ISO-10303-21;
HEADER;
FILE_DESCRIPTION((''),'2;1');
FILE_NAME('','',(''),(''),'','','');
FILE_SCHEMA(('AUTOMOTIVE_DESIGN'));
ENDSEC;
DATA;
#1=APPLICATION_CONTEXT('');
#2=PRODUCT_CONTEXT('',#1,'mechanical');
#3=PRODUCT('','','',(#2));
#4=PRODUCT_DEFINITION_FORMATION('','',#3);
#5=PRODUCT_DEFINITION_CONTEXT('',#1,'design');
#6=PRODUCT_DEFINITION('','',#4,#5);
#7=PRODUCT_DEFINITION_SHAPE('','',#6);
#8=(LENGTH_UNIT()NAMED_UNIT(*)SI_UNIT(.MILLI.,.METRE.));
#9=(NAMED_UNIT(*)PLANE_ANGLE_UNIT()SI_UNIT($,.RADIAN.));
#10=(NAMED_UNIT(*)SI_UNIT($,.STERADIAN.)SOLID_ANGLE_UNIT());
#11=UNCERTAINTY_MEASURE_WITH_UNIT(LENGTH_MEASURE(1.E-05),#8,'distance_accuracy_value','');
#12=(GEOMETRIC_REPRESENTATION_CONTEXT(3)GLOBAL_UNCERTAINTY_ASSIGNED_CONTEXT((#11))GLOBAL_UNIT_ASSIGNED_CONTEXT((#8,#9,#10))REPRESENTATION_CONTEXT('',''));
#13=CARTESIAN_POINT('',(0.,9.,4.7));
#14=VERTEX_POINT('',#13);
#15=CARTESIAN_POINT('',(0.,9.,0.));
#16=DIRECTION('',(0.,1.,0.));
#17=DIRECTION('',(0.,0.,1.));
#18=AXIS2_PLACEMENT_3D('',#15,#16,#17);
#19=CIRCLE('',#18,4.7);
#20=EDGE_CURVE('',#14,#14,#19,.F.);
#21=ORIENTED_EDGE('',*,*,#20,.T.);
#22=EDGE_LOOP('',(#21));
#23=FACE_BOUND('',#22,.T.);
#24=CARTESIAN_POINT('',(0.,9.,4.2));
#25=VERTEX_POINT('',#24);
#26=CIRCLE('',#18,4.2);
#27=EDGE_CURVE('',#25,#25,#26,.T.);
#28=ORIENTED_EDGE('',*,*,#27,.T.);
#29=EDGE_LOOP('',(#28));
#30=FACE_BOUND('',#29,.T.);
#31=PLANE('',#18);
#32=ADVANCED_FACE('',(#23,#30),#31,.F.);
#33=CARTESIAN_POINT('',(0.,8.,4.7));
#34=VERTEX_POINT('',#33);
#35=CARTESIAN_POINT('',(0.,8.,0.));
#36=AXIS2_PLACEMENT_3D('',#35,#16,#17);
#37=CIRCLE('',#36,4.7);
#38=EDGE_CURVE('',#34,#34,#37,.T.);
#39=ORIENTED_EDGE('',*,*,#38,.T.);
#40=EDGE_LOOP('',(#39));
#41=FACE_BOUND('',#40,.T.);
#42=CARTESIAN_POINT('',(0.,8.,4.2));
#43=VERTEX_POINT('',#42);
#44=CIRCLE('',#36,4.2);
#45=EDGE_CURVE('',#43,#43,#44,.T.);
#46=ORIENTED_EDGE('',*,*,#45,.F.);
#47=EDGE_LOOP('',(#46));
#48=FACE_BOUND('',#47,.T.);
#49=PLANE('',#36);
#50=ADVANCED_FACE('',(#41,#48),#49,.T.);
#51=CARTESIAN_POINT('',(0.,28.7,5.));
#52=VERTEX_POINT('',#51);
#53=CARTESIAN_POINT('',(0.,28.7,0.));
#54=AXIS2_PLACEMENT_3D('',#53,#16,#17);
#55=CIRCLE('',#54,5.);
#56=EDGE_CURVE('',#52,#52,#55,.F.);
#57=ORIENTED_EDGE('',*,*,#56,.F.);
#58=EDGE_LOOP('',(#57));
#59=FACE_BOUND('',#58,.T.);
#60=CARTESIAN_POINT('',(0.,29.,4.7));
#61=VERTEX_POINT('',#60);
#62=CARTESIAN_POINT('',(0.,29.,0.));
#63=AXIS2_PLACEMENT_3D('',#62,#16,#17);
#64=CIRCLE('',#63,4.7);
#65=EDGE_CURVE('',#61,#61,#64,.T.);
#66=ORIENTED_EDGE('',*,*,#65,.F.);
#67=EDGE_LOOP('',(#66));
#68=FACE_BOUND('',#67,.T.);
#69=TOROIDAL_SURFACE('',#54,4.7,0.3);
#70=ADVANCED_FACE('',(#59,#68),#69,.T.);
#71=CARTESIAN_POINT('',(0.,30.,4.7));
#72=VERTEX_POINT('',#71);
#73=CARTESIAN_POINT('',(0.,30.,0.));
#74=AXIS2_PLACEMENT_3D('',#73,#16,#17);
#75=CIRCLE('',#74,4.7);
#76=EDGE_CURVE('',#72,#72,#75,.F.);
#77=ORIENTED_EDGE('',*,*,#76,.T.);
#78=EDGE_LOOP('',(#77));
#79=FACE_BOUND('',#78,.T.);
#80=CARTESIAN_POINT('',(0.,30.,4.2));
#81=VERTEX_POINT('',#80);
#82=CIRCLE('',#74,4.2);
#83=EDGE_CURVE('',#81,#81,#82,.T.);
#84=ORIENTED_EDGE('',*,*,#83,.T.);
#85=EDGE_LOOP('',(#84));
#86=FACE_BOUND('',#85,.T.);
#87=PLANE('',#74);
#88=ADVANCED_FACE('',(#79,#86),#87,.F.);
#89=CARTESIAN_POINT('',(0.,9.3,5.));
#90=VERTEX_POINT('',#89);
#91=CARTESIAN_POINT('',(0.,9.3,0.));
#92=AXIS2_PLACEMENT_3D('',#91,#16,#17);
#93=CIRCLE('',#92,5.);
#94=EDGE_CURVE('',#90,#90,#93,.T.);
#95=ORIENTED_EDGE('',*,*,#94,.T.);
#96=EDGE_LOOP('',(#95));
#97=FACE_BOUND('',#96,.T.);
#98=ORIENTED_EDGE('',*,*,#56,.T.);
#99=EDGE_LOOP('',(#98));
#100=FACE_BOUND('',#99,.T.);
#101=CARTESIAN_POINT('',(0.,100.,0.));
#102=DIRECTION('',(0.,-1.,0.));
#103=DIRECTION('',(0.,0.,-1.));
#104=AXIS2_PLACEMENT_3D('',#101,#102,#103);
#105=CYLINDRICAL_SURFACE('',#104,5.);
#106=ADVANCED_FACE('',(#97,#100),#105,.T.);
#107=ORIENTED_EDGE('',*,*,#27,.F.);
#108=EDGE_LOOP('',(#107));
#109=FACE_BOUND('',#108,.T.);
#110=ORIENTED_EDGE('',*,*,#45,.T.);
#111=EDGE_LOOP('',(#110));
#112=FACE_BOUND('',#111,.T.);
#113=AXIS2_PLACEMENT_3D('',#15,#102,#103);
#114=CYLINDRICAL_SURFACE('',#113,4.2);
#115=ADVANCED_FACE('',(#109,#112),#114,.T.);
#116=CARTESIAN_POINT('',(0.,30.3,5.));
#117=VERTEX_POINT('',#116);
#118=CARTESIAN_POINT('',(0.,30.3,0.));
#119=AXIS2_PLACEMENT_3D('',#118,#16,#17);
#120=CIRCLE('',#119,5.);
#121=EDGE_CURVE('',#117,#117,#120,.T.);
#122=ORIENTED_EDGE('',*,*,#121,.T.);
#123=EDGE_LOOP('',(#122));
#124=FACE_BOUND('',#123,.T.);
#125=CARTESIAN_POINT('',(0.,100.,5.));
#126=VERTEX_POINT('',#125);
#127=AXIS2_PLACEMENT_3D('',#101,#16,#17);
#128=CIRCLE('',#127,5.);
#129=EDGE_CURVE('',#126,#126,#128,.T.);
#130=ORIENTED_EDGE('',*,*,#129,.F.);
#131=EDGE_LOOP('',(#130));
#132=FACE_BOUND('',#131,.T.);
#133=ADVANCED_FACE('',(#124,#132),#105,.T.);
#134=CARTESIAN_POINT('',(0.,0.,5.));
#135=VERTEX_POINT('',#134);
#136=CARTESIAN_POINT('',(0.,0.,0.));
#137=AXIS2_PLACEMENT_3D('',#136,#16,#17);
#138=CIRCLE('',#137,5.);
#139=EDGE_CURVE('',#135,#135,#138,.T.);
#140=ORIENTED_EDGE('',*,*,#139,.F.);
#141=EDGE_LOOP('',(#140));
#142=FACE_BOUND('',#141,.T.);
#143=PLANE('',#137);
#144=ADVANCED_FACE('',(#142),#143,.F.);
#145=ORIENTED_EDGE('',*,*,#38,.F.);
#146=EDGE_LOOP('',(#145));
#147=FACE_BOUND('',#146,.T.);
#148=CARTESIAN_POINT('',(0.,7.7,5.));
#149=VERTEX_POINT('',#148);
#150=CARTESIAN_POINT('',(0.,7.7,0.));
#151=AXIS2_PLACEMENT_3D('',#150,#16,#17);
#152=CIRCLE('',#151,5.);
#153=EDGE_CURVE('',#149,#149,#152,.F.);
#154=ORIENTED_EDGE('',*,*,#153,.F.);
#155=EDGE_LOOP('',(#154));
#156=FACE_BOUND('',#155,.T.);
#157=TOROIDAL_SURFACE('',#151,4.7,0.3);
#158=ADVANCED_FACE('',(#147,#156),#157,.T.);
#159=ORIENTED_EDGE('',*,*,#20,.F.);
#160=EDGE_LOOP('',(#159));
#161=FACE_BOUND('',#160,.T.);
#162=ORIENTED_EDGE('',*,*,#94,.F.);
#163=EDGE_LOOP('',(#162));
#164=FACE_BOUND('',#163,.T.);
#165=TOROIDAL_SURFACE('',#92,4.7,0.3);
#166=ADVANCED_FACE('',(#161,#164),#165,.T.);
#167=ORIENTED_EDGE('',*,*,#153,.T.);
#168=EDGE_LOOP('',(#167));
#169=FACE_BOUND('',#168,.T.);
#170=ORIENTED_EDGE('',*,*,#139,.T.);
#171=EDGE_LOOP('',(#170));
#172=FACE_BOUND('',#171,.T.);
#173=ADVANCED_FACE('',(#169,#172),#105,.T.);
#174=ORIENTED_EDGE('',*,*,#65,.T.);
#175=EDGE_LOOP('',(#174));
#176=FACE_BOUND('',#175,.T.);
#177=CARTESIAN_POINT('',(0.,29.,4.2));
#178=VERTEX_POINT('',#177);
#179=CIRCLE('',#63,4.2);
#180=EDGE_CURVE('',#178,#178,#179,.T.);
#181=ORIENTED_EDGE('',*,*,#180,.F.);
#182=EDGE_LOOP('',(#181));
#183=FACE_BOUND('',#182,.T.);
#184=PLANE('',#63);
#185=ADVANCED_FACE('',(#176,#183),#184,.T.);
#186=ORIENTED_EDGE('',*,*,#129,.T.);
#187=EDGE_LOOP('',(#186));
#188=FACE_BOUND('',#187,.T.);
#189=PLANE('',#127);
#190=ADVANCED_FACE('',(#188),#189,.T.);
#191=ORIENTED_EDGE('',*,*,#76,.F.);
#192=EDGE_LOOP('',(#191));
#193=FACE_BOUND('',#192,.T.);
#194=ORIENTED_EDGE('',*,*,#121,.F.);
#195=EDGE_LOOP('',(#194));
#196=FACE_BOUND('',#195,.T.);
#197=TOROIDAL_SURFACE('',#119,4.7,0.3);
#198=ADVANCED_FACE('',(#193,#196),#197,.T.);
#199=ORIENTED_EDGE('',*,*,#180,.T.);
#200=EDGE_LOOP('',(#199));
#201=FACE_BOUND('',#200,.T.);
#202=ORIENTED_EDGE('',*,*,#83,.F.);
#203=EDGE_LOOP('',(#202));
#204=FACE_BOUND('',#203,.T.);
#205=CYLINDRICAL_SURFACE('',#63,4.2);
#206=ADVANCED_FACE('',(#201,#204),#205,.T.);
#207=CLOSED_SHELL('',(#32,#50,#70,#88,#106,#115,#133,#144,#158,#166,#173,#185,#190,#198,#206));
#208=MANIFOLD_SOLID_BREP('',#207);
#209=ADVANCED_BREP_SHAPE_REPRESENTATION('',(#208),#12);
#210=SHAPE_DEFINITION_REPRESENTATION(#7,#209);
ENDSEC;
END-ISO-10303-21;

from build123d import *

# Parameters (mm, degrees)
SKETCH1_R           = 5
BOSS_EXTRUDE1_DEPTH = 100
CUT_EXTRUDE1_START  = 29
SKETCH2_R           = 5
SKETCH2_R_2         = 4.2
CUT_EXTRUDE1_DEPTH  = 1
FILLET1_R           = 0.3
CUT_EXTRUDE2_START  = 8
SKETCH2_2_R         = 5
SKETCH2_2_R_2       = 4.2
CUT_EXTRUDE2_DEPTH  = 1
FILLET2_R           = 0.3


with BuildPart() as part:
    # Sketch1 → Boss-Extrude1 (new body)
    with BuildSketch(Plane(origin=(0, 0, 0), x_dir=(1, 0, 0), z_dir=(0, 1, 0))):
        Circle(SKETCH1_R)
    extrude(amount=BOSS_EXTRUDE1_DEPTH)

    # Sketch2 → Cut-Extrude1 (cut)
    with BuildSketch(Plane(origin=(0, 0, 0), x_dir=(1, 0, 0), z_dir=(0, 1, 0)).offset(CUT_EXTRUDE1_START)):
        Circle(SKETCH2_R)
        Circle(SKETCH2_R_2, mode=Mode.SUBTRACT)
    extrude(amount=CUT_EXTRUDE1_DEPTH, mode=Mode.SUBTRACT)

    # Fillet1
    fillet1_edges = [part.edges().sort_by_distance(p)[0] for p in [
        (-5, 30, 0),
        (-5, 29, 0),
    ]]
    fillet(fillet1_edges, radius=FILLET1_R)

    # Sketch2<2> → Cut-Extrude2 (cut)
    with BuildSketch(Plane(origin=(0, 0, 0), x_dir=(1, 0, 0), z_dir=(0, 1, 0)).offset(CUT_EXTRUDE2_START)):
        Circle(SKETCH2_2_R)
        Circle(SKETCH2_2_R_2, mode=Mode.SUBTRACT)
    extrude(amount=CUT_EXTRUDE2_DEPTH, mode=Mode.SUBTRACT)

    # Fillet2
    fillet2_edges = [part.edges().sort_by_distance(p)[0] for p in [
        (-5, 8, 0),
        (-5, 9, 0),
    ]]
    fillet(fillet2_edges, radius=FILLET2_R)


solid = part.part
